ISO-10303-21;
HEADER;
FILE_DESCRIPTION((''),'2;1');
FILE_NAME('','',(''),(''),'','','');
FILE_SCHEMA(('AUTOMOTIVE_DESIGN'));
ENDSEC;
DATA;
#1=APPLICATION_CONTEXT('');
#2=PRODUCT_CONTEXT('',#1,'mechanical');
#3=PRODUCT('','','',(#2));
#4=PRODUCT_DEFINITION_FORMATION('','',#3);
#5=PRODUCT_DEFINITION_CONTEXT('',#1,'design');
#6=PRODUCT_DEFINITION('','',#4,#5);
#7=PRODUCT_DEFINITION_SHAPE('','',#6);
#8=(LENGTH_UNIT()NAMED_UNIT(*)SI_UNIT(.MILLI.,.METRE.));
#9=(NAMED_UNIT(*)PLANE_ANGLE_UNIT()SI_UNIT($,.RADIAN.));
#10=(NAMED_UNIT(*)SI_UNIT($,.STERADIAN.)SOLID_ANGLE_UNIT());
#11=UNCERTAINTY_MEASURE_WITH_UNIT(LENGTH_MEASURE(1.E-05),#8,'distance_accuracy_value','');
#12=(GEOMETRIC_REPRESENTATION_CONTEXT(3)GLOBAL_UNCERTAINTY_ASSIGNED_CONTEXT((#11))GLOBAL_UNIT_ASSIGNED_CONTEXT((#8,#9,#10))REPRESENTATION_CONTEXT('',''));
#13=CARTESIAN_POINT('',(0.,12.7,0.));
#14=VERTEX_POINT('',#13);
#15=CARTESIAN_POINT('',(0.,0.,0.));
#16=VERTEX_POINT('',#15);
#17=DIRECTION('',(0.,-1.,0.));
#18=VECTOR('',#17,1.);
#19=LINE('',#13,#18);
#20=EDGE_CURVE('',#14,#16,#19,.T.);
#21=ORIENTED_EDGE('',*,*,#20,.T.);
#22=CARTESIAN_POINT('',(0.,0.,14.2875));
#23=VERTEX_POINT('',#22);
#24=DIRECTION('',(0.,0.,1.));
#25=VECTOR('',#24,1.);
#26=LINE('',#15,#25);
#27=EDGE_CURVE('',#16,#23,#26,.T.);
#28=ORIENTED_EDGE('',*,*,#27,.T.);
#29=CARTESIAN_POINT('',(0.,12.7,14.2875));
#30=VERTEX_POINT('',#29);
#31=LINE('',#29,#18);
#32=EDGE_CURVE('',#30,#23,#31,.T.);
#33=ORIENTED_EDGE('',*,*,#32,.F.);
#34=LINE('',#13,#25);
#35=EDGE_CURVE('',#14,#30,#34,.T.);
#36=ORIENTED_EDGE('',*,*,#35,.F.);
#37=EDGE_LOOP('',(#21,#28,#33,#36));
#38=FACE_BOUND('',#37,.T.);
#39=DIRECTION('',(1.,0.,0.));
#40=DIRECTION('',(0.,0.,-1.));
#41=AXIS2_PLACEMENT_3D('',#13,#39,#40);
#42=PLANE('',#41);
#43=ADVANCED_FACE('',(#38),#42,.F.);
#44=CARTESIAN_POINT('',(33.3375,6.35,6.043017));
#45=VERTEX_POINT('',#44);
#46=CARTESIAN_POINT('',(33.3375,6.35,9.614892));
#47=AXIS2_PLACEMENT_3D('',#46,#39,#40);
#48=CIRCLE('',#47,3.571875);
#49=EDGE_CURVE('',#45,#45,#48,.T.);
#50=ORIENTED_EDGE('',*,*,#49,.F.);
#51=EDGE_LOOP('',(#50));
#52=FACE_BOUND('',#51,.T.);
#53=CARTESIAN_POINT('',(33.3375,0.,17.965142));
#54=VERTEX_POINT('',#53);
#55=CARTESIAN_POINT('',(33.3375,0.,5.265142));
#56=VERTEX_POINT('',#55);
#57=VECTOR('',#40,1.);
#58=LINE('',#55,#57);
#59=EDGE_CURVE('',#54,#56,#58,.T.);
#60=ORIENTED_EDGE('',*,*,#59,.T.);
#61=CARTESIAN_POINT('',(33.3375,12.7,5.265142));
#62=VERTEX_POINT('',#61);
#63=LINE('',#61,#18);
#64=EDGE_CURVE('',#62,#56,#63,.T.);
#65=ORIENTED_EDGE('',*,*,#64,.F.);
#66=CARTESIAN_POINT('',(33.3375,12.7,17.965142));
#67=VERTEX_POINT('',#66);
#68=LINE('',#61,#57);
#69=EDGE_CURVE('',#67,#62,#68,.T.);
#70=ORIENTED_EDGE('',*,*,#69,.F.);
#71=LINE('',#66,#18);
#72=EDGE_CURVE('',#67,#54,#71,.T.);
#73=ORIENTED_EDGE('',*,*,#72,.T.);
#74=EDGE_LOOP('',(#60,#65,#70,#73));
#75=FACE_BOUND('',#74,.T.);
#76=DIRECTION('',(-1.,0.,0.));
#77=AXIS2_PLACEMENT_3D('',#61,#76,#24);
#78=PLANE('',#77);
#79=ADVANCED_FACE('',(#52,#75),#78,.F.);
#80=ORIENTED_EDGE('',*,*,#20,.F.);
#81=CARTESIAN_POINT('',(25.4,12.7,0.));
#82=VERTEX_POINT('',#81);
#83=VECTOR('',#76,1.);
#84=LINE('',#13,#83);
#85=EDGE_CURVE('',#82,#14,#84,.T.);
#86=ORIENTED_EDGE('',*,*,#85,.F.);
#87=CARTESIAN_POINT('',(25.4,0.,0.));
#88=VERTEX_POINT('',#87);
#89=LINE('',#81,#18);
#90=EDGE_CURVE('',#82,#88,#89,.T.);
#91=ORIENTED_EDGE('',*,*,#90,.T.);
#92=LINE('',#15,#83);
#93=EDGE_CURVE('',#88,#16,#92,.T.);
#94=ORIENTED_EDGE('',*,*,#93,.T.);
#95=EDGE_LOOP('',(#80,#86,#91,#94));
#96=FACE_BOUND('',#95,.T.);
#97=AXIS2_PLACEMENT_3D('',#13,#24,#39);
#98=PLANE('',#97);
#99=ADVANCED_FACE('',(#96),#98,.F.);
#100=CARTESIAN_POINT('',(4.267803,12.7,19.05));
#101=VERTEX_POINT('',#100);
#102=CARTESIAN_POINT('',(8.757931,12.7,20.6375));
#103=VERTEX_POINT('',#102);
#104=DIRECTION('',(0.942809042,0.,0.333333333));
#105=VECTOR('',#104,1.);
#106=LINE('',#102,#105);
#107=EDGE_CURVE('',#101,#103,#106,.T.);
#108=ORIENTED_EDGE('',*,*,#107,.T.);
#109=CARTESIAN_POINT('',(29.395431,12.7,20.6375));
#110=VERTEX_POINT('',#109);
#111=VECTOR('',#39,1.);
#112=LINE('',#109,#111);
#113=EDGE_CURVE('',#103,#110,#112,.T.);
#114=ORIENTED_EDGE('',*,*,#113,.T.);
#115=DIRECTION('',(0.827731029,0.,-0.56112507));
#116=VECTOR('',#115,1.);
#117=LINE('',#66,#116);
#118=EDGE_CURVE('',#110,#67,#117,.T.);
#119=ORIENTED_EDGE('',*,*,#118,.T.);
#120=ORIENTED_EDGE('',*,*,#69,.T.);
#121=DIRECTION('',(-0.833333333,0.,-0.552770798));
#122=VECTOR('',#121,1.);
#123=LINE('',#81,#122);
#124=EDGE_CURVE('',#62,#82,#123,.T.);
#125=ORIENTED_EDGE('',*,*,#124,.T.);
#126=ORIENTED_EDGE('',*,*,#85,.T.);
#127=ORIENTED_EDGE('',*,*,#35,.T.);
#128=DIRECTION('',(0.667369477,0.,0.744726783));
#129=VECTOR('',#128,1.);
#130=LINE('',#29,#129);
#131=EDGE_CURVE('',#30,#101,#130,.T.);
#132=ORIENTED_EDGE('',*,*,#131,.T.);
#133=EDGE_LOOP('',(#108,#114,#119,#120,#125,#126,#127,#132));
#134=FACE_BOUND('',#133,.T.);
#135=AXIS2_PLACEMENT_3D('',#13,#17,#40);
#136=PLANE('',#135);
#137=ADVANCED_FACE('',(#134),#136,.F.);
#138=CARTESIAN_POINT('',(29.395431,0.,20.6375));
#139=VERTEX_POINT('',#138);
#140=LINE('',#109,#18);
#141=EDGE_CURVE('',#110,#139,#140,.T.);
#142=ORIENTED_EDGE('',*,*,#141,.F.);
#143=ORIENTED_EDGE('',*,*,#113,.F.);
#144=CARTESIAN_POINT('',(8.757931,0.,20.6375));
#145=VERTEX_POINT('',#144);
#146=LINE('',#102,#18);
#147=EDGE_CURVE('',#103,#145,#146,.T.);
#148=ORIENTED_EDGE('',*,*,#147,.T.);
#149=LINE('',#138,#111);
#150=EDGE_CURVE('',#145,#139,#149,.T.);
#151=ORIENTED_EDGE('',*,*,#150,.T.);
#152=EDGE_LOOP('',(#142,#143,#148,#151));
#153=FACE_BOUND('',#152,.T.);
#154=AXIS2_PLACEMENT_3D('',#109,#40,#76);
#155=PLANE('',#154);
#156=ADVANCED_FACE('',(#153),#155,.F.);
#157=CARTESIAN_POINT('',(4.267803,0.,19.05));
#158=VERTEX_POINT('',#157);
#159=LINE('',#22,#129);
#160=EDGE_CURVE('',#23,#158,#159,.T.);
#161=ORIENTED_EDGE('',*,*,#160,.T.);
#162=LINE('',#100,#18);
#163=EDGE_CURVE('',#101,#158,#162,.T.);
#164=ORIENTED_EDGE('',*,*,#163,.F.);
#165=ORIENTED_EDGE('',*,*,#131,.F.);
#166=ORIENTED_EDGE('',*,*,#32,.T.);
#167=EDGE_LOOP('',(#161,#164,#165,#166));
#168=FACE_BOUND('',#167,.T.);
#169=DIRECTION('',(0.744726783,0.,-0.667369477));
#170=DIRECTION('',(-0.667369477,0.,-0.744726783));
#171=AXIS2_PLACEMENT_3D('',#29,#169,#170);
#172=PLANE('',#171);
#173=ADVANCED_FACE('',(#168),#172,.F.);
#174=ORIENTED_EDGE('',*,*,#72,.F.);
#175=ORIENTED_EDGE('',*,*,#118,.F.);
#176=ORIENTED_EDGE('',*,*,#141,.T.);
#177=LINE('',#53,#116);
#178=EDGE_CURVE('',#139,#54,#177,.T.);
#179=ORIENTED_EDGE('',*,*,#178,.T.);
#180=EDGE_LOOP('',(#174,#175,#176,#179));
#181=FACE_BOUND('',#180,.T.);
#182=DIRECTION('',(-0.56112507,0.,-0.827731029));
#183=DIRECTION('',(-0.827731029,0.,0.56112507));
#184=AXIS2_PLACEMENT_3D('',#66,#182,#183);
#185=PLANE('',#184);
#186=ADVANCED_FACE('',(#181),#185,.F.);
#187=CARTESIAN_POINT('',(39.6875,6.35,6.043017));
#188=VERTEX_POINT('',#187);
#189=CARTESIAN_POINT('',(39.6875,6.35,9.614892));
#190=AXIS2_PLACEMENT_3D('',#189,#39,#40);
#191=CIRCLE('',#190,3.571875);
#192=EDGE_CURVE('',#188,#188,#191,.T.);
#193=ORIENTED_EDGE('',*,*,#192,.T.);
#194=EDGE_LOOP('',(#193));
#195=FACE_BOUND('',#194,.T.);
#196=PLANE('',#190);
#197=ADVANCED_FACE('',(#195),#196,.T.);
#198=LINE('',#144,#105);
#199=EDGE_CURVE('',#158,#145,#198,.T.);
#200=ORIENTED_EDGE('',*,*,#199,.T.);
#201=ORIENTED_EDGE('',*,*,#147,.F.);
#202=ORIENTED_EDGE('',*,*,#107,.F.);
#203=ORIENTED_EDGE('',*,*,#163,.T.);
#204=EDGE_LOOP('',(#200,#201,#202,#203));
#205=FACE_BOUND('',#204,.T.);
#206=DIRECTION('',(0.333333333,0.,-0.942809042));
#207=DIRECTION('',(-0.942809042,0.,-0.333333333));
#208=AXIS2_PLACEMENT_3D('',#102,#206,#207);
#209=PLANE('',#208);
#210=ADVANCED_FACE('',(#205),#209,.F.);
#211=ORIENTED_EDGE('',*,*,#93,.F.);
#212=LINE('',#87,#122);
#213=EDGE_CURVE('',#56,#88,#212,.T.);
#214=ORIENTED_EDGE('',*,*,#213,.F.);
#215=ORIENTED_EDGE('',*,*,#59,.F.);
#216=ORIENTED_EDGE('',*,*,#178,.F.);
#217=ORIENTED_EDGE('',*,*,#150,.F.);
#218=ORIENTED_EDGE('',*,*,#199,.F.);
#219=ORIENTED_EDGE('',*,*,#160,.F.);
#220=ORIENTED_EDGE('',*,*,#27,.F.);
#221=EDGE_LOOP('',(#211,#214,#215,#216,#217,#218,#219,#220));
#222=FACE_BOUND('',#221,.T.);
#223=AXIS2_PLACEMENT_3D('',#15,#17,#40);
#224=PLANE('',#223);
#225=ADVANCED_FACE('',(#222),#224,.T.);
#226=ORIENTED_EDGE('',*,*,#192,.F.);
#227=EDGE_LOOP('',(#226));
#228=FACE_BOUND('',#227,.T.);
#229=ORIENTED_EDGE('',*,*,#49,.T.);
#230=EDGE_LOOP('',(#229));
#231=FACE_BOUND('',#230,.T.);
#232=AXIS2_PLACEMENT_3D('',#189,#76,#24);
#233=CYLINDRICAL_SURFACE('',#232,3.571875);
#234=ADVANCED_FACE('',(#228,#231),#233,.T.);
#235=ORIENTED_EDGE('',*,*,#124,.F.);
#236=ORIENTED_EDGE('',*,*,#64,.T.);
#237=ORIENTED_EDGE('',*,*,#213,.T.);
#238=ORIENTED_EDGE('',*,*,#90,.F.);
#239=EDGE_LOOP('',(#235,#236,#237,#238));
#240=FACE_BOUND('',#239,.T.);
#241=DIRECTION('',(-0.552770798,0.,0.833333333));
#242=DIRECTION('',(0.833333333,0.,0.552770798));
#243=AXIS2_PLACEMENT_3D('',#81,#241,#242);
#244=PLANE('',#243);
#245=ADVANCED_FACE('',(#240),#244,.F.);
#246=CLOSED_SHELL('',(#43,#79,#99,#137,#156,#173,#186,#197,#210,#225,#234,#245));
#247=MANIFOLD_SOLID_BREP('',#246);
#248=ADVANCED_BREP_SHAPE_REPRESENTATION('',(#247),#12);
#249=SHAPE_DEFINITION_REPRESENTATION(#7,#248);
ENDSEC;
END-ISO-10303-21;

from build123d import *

# Parameters (mm, degrees)
BOSS_EXTRUDE1_DEPTH = 12.7
SKETCH2_R           = 3.571875
BOSS_EXTRUDE2_DEPTH = 6.35


with BuildPart() as part:
    # Sketch1 → Boss-Extrude1 (new body)
    with BuildSketch(Plane(origin=(0, 0, 0), x_dir=(1, 0, 0), z_dir=(0, 1, 0))):
        Polygon((0, 0), (25.4, 0), (33.3375, -5.265141855), (33.3375, -17.965141855), (29.395430976, -20.6375), (8.757930976, -20.6375), (4.267802915, -19.05), (0, -14.2875), align=None)
    extrude(amount=BOSS_EXTRUDE1_DEPTH)

    # Sketch2 → Boss-Extrude2 (add)
    with BuildSketch(Plane(origin=(33.3375, 0, 0), x_dir=(0, 0, -1), z_dir=(1, 0, 0))):
        with Locations((-9.614891855, 6.35)):
            Circle(SKETCH2_R)
    extrude(amount=BOSS_EXTRUDE2_DEPTH)


solid = part.part
